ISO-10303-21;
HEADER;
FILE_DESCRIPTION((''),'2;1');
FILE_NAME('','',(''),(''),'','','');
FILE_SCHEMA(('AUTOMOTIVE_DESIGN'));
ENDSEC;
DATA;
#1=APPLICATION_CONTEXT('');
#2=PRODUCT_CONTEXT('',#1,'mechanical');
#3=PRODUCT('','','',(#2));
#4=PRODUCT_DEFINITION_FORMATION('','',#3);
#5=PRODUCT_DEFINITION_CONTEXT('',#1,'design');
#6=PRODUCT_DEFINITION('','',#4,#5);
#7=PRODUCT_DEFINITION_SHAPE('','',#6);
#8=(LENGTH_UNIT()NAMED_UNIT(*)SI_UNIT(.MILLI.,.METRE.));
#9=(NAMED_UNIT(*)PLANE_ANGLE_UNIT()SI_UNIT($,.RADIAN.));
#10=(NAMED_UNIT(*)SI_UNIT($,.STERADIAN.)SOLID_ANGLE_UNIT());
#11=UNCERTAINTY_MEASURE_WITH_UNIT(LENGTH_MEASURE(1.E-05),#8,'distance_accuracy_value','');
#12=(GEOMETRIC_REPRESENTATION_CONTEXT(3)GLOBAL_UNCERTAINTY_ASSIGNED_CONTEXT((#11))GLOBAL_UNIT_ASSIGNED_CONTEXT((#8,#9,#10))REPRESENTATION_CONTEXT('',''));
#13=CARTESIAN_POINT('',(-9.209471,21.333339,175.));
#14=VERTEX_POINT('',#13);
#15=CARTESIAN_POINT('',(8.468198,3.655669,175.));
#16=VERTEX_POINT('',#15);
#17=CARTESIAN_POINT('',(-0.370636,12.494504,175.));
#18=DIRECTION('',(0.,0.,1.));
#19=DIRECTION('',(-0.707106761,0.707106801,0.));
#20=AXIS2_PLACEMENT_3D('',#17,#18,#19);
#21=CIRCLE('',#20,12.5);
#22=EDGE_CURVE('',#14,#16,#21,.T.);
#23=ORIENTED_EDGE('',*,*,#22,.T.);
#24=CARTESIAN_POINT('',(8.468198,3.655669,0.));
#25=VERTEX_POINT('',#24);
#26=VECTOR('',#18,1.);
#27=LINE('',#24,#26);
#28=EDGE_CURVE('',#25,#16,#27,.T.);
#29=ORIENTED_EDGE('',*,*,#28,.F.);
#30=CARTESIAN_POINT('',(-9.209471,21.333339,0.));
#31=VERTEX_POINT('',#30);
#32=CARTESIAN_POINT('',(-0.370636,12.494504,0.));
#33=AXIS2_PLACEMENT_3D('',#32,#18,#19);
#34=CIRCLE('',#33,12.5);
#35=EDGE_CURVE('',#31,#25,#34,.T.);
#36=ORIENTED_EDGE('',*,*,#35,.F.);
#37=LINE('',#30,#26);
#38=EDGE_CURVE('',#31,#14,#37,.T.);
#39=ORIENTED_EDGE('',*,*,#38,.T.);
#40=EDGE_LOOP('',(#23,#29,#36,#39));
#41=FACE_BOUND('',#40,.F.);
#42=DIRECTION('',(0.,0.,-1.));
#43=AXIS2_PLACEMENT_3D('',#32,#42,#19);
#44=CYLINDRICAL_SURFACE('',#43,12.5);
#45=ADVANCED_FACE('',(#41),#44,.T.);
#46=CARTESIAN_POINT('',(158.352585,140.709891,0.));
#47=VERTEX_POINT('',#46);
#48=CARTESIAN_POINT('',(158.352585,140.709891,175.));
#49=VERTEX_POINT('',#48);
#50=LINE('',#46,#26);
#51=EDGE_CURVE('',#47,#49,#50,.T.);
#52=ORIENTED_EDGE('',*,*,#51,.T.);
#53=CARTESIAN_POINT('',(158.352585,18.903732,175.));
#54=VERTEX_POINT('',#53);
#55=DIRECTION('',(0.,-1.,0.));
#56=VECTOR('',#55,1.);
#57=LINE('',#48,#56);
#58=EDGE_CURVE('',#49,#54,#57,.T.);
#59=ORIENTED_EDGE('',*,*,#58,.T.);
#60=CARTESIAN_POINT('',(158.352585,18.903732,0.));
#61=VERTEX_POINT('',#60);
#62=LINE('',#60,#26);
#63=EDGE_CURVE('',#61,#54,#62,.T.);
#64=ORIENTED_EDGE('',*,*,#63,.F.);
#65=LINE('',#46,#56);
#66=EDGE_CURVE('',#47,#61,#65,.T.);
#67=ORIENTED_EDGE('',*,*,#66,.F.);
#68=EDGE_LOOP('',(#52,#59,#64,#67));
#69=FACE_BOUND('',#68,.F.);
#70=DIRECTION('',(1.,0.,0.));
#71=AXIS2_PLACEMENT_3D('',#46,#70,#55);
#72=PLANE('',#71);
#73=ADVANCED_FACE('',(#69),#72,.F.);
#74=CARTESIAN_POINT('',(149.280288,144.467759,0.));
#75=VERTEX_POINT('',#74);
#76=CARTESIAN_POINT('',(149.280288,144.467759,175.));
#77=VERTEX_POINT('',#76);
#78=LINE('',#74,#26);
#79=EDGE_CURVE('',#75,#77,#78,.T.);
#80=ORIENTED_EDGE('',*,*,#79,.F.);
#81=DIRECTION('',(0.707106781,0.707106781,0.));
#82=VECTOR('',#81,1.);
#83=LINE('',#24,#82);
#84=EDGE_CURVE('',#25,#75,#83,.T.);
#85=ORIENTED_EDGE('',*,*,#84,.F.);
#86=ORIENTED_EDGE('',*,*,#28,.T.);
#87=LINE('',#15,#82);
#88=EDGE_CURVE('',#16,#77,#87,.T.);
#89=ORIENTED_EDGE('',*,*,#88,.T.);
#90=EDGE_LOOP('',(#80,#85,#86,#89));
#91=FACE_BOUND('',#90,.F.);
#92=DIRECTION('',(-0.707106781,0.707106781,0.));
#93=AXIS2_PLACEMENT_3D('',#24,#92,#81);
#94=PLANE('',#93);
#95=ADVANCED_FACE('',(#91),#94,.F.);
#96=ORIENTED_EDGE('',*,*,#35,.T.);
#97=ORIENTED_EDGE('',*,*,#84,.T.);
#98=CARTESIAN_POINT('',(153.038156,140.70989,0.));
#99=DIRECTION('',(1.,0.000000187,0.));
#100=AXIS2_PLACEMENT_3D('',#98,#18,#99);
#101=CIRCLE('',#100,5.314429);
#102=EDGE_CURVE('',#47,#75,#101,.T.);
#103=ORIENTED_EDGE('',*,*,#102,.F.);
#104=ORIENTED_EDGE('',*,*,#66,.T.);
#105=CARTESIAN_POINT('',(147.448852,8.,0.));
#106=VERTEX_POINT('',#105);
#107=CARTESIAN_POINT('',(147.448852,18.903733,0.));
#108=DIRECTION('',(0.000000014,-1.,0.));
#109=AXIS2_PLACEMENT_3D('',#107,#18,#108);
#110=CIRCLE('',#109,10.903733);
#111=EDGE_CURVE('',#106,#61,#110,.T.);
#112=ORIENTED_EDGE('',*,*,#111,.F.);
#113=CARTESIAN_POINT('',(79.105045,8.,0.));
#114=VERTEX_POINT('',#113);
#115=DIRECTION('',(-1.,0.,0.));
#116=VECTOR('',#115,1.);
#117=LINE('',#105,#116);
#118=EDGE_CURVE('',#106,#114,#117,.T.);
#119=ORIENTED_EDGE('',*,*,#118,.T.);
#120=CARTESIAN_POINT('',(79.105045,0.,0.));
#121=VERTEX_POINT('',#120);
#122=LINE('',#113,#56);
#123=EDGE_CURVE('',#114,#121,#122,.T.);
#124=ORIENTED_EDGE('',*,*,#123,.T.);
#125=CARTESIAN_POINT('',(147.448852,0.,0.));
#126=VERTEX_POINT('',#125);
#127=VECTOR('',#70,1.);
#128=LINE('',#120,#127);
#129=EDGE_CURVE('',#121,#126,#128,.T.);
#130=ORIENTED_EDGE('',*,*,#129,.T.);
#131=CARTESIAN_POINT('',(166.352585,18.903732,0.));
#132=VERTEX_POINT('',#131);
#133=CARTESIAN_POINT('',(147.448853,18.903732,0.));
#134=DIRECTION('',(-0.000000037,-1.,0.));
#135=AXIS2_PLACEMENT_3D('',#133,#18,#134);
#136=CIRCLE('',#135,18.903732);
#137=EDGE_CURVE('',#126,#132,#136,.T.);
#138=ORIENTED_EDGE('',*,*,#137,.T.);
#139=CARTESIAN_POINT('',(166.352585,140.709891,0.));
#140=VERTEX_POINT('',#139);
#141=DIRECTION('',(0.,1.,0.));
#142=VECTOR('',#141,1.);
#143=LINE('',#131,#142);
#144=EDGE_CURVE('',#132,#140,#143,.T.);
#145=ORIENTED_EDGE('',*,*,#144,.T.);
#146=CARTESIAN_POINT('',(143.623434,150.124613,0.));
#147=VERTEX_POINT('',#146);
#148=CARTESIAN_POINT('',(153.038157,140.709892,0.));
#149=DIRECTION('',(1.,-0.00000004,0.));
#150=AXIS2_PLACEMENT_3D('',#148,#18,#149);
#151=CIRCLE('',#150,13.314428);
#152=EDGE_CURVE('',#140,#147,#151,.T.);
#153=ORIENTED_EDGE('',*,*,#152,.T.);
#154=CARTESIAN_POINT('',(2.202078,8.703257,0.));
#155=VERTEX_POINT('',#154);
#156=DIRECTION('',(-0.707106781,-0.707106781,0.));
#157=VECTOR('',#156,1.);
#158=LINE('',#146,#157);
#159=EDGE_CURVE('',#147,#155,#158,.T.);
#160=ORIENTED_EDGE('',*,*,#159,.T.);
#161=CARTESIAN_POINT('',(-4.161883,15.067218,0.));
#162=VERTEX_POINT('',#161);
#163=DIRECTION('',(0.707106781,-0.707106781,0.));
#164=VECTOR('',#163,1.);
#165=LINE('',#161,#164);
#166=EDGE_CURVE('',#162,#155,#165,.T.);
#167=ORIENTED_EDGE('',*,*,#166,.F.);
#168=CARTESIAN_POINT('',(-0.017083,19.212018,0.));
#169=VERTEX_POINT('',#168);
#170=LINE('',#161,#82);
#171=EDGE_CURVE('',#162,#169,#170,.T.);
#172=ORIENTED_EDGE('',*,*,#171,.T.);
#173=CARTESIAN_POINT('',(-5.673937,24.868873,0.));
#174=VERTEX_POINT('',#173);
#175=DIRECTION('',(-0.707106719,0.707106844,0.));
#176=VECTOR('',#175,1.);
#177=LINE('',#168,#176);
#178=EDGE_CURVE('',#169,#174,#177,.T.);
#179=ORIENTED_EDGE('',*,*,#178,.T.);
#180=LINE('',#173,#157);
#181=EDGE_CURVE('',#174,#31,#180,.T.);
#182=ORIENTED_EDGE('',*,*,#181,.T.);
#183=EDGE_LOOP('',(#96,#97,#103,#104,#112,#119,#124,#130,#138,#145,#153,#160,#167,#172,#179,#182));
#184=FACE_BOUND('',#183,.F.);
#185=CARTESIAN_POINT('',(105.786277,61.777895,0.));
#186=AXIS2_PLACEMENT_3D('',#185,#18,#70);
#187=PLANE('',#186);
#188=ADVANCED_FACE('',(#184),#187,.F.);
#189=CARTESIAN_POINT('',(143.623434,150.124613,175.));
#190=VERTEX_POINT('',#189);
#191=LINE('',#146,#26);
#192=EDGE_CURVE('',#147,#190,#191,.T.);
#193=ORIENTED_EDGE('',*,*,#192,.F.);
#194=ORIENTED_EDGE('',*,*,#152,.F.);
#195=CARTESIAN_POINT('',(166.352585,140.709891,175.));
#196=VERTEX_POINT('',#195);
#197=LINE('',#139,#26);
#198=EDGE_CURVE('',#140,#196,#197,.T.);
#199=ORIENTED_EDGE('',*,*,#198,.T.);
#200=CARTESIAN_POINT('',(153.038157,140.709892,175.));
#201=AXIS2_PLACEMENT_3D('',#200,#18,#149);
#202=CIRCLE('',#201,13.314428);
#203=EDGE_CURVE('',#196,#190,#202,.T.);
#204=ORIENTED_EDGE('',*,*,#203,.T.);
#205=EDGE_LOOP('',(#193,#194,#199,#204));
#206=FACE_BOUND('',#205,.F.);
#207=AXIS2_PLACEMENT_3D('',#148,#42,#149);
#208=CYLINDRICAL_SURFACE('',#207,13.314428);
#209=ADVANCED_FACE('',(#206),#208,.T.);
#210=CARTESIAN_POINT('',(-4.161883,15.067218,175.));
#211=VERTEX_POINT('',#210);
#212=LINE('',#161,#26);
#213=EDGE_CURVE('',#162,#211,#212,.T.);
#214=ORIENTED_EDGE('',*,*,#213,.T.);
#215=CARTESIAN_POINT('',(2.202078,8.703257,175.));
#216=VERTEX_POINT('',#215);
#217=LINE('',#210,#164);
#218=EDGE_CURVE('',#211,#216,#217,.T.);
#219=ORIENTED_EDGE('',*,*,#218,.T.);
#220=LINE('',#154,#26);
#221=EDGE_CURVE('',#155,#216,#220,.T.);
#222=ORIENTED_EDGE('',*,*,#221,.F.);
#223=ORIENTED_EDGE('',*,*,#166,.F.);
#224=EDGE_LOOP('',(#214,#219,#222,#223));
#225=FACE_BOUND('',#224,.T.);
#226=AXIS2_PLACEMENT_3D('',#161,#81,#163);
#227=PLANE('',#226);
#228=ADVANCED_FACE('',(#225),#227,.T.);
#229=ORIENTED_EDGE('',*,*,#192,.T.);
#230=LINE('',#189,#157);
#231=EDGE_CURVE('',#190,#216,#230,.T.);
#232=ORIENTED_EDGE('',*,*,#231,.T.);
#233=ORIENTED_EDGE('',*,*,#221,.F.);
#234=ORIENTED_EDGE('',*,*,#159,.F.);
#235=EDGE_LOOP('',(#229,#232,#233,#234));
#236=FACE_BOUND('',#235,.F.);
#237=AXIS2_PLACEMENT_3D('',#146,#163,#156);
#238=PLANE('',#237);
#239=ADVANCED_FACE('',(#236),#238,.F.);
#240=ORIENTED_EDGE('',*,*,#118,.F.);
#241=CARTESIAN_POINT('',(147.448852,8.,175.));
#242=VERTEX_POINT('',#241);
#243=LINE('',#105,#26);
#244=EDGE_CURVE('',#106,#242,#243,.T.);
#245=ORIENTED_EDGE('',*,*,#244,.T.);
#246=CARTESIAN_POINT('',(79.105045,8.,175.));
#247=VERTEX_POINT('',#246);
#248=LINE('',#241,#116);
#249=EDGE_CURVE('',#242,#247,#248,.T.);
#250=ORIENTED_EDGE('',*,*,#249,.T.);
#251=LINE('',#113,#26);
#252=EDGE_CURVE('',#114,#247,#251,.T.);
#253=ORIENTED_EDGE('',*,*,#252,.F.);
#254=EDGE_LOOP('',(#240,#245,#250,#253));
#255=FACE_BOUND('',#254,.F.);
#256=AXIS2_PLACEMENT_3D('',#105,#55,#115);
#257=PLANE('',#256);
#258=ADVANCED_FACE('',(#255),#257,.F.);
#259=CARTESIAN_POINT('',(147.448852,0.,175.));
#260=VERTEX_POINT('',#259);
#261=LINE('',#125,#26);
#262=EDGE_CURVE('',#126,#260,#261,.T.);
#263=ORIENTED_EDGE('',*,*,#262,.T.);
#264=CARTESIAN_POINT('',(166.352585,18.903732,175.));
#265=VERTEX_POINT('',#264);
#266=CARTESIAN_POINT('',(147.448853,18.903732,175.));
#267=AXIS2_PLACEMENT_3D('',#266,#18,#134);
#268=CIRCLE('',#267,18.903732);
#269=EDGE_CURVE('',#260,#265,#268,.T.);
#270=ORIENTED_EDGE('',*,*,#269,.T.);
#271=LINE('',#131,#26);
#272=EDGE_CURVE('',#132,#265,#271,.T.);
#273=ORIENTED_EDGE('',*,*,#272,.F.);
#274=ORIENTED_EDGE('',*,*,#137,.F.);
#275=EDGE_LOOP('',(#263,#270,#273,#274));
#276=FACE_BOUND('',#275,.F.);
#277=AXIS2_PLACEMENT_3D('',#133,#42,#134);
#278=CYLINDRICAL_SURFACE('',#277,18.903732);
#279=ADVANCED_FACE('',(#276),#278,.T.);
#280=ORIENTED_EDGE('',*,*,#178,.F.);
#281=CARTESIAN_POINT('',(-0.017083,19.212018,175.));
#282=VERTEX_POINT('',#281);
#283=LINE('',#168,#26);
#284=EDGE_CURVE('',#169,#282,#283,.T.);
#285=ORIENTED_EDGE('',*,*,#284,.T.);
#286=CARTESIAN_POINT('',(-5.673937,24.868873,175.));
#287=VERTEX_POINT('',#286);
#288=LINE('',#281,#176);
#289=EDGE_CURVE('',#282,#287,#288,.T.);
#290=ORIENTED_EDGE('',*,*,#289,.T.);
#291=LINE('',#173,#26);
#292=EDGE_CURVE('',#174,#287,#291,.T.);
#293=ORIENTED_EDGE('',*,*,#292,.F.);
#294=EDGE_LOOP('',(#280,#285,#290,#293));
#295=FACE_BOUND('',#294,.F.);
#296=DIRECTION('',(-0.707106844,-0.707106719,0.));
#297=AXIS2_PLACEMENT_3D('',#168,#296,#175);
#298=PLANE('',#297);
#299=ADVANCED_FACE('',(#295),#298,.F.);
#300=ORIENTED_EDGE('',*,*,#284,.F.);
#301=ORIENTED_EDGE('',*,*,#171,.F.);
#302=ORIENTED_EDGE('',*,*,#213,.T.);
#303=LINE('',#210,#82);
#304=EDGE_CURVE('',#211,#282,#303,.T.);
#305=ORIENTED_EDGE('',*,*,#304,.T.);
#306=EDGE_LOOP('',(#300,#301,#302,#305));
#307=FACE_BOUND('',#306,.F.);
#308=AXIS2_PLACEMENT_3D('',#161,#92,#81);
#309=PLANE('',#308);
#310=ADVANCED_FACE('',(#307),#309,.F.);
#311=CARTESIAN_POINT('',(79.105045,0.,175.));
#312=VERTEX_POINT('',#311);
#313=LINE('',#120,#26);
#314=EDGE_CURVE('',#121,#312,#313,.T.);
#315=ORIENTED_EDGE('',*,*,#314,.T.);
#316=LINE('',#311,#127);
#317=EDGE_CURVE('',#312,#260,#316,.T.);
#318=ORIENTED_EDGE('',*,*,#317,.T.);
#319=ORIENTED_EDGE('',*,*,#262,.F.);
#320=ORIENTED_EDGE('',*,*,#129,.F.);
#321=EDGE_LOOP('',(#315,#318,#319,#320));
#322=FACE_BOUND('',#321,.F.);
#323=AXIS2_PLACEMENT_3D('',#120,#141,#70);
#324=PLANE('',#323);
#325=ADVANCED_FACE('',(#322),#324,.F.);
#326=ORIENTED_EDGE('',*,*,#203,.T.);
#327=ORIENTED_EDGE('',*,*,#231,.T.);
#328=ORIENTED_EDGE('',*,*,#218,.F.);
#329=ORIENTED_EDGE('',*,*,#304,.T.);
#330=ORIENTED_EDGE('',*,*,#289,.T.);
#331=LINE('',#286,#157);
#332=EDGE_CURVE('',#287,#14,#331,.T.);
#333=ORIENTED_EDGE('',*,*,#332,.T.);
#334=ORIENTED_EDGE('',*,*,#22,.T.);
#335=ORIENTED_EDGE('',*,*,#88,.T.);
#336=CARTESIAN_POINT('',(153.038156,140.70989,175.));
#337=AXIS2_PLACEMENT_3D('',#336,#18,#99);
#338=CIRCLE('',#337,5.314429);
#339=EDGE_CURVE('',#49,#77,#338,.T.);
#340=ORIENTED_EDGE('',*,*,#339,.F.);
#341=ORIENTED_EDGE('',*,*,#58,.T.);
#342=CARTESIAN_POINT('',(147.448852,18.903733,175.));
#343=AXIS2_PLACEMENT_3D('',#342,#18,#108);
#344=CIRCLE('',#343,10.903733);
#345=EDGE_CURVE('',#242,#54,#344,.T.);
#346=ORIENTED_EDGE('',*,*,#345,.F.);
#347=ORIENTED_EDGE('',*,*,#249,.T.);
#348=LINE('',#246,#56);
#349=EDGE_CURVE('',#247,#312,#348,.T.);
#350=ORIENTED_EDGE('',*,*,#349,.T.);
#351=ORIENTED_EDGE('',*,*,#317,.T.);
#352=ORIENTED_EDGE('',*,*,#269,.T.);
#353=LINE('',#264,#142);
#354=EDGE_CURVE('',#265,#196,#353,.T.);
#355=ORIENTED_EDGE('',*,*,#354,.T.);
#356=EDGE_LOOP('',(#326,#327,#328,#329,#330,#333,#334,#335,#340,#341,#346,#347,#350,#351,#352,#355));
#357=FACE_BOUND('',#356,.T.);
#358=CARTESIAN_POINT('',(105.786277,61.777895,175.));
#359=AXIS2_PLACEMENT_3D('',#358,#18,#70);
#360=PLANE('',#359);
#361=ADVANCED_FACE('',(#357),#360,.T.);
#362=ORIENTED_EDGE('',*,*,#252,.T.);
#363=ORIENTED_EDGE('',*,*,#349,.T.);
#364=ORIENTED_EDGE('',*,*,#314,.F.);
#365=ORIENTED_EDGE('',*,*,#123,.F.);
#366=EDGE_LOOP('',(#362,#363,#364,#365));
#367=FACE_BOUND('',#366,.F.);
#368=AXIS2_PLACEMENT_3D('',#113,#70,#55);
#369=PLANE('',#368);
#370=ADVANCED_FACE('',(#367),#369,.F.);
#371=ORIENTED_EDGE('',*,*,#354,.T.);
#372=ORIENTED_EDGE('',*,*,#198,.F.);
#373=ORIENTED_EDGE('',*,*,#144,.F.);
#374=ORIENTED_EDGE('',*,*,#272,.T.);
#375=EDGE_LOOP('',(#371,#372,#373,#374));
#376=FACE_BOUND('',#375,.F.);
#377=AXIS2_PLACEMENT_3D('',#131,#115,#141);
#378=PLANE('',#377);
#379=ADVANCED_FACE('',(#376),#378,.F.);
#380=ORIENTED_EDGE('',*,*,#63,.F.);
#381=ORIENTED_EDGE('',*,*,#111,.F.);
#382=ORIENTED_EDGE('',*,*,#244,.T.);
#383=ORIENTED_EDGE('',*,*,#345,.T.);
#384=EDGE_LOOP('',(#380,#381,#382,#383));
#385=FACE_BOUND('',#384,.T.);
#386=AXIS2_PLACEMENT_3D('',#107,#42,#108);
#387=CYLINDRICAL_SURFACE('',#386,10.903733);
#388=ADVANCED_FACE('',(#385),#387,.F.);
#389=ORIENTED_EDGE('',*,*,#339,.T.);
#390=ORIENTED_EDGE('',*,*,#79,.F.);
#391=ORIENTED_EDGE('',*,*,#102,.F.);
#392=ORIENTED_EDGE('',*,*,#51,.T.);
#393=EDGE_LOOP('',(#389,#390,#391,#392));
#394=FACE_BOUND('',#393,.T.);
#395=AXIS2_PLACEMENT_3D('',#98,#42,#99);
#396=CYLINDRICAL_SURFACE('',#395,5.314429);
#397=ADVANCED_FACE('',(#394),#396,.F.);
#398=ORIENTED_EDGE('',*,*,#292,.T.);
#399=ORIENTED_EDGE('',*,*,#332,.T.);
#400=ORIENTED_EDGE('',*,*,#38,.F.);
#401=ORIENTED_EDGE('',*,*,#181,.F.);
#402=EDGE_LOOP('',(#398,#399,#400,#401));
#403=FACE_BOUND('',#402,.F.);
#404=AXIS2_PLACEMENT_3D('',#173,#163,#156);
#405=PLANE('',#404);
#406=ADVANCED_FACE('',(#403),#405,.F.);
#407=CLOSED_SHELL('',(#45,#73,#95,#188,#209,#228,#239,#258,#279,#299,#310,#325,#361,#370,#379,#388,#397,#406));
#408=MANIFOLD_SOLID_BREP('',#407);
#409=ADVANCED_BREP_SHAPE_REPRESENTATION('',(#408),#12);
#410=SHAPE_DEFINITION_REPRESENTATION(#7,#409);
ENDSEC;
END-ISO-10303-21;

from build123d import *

# Parameters (mm, degrees)
PAD002_DEPTH = 175


with BuildPart() as part:
    # Sketch → Pad002 (new body)
    with BuildSketch(Plane.XY):
        with BuildLine():
            Line((8.468198, 3.655669), (149.280288, 144.467759))
            ThreePointArc((158.352585, 140.709891), (155.0719, 145.619782), (149.280288, 144.467759))
            Line((158.352585, 140.709891), (158.352585, 18.903732))
            ThreePointArc((147.448852, 8), (155.158955, 11.193629), (158.352585, 18.903732))
            Line((147.448852, 8), (79.105045, 8))
            Line((79.105045, 8), (79.105045, 0))
            Line((79.105045, 0), (147.448852, 0))
            ThreePointArc((147.448852, 0), (160.81581, 5.536775), (166.352585, 18.903732))
            Line((166.352585, 18.903732), (166.352585, 140.709891))
            ThreePointArc((166.352585, 140.709891), (158.133368, 153.010819), (143.623434, 150.124613))
            Line((143.623434, 150.124613), (2.202078, 8.703257))
            Line((-4.161883, 15.067218), (2.202078, 8.703257))
            Line((-4.161883, 15.067218), (-0.017083, 19.212018))
            Line((-0.017083, 19.212018), (-5.673937, 24.868873))
            Line((-5.673937, 24.868873), (-9.209471, 21.333339))
            ThreePointArc((-9.209471, 21.333339), (-9.209471, 3.655669), (8.468198, 3.655669))
        make_face()
    extrude(amount=PAD002_DEPTH)


solid = part.part
